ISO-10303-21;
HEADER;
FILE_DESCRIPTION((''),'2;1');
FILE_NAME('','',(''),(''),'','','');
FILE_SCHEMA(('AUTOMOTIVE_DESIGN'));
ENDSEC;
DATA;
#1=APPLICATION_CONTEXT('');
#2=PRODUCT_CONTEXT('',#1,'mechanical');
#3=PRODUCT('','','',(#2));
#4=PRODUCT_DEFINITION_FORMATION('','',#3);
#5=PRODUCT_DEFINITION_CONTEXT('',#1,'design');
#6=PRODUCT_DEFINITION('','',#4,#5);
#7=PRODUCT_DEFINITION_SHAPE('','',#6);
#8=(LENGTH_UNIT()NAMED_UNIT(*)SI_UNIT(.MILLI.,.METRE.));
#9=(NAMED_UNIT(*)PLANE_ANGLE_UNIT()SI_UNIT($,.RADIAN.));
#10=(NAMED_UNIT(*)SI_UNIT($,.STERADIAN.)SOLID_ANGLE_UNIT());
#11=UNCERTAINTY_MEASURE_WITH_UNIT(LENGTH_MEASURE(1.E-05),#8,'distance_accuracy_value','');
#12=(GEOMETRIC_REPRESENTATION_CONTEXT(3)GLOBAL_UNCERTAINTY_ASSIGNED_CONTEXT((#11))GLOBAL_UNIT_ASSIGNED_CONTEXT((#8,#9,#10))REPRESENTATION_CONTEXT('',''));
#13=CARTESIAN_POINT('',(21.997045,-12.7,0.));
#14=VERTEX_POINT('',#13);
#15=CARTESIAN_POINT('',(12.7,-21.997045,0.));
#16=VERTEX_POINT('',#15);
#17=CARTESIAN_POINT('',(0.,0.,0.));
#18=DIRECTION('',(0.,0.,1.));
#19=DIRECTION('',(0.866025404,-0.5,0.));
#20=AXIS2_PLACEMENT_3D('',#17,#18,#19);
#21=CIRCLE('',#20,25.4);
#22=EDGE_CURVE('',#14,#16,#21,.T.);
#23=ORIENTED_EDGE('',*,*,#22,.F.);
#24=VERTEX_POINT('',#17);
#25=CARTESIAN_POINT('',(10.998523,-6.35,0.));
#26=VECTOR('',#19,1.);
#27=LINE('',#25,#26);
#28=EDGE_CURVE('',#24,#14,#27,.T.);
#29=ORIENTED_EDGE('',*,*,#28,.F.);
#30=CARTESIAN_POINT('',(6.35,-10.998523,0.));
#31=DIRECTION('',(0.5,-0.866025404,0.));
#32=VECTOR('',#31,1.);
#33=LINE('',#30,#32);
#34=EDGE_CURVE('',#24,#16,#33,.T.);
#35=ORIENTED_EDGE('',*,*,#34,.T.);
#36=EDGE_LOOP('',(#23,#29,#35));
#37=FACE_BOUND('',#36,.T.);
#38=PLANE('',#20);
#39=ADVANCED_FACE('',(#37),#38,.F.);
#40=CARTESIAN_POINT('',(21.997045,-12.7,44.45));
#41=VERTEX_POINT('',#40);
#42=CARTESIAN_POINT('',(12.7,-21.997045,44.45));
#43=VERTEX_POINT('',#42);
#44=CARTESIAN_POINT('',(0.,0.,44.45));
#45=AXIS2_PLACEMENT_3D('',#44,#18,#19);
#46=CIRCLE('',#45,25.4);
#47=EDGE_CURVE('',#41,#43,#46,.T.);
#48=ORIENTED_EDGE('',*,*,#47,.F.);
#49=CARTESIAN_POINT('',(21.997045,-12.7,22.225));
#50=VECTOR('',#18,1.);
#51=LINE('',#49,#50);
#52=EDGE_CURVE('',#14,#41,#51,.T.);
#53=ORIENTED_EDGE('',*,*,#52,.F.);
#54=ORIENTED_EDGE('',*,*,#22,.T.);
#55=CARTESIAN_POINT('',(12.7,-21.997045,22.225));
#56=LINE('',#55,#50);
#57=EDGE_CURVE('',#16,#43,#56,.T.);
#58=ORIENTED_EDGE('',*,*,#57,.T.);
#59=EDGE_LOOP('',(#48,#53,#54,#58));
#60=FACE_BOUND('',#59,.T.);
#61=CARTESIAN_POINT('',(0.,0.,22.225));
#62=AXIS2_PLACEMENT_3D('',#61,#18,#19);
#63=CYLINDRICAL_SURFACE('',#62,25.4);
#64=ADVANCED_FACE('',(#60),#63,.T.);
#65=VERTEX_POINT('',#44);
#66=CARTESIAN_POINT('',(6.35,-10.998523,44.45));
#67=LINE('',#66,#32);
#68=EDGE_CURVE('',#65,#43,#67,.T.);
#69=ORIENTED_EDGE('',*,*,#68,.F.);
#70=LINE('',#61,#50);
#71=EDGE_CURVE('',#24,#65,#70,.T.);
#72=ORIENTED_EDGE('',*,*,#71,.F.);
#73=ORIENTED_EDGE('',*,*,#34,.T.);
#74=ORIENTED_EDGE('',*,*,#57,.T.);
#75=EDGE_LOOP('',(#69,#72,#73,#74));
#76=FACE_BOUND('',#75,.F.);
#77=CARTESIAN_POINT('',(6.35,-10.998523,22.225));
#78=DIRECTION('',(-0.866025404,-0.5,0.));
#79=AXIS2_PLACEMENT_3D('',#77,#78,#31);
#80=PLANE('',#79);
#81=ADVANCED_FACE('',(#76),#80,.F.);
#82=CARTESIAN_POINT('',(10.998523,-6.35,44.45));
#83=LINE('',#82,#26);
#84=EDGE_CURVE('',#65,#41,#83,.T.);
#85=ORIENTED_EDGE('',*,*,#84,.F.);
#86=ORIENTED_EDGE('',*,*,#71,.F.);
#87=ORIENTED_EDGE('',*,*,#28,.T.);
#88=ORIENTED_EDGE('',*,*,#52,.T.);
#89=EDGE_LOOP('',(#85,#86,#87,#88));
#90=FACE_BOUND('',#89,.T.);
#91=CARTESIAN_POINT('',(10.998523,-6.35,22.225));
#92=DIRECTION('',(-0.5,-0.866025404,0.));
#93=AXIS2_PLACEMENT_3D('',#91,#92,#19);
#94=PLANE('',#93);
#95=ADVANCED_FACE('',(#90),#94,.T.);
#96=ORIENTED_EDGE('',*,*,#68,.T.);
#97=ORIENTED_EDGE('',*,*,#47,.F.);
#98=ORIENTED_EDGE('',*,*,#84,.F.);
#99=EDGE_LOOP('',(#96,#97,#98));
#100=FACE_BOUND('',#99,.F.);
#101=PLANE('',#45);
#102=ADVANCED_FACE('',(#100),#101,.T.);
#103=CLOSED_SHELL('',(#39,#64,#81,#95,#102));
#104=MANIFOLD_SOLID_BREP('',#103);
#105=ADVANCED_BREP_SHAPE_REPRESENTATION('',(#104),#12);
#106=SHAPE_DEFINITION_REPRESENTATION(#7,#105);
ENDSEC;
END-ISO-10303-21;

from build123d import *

# Parameters (mm, degrees)
F0_W          = 25.4
F0_H          = 44.45
F1_ANGLE_BACK = 30
F1_ANGLE      = 330


with BuildPart() as f1:
    # F0 (on Front) → F1 (revolve)
    with BuildSketch(Plane.XZ, mode=Mode.PRIVATE) as f1_sk:
        with Locations((12.7, 22.225)):
            Rectangle(F0_W, F0_H)
    revolve(f1_sk.sketch.rotate(Axis((0, 0, 22.225), (0, 0, 1)), -F1_ANGLE_BACK), axis=Axis((0, 0, 22.225), (0, 0, 1)), revolution_arc=F1_ANGLE)


solid = f1.part
